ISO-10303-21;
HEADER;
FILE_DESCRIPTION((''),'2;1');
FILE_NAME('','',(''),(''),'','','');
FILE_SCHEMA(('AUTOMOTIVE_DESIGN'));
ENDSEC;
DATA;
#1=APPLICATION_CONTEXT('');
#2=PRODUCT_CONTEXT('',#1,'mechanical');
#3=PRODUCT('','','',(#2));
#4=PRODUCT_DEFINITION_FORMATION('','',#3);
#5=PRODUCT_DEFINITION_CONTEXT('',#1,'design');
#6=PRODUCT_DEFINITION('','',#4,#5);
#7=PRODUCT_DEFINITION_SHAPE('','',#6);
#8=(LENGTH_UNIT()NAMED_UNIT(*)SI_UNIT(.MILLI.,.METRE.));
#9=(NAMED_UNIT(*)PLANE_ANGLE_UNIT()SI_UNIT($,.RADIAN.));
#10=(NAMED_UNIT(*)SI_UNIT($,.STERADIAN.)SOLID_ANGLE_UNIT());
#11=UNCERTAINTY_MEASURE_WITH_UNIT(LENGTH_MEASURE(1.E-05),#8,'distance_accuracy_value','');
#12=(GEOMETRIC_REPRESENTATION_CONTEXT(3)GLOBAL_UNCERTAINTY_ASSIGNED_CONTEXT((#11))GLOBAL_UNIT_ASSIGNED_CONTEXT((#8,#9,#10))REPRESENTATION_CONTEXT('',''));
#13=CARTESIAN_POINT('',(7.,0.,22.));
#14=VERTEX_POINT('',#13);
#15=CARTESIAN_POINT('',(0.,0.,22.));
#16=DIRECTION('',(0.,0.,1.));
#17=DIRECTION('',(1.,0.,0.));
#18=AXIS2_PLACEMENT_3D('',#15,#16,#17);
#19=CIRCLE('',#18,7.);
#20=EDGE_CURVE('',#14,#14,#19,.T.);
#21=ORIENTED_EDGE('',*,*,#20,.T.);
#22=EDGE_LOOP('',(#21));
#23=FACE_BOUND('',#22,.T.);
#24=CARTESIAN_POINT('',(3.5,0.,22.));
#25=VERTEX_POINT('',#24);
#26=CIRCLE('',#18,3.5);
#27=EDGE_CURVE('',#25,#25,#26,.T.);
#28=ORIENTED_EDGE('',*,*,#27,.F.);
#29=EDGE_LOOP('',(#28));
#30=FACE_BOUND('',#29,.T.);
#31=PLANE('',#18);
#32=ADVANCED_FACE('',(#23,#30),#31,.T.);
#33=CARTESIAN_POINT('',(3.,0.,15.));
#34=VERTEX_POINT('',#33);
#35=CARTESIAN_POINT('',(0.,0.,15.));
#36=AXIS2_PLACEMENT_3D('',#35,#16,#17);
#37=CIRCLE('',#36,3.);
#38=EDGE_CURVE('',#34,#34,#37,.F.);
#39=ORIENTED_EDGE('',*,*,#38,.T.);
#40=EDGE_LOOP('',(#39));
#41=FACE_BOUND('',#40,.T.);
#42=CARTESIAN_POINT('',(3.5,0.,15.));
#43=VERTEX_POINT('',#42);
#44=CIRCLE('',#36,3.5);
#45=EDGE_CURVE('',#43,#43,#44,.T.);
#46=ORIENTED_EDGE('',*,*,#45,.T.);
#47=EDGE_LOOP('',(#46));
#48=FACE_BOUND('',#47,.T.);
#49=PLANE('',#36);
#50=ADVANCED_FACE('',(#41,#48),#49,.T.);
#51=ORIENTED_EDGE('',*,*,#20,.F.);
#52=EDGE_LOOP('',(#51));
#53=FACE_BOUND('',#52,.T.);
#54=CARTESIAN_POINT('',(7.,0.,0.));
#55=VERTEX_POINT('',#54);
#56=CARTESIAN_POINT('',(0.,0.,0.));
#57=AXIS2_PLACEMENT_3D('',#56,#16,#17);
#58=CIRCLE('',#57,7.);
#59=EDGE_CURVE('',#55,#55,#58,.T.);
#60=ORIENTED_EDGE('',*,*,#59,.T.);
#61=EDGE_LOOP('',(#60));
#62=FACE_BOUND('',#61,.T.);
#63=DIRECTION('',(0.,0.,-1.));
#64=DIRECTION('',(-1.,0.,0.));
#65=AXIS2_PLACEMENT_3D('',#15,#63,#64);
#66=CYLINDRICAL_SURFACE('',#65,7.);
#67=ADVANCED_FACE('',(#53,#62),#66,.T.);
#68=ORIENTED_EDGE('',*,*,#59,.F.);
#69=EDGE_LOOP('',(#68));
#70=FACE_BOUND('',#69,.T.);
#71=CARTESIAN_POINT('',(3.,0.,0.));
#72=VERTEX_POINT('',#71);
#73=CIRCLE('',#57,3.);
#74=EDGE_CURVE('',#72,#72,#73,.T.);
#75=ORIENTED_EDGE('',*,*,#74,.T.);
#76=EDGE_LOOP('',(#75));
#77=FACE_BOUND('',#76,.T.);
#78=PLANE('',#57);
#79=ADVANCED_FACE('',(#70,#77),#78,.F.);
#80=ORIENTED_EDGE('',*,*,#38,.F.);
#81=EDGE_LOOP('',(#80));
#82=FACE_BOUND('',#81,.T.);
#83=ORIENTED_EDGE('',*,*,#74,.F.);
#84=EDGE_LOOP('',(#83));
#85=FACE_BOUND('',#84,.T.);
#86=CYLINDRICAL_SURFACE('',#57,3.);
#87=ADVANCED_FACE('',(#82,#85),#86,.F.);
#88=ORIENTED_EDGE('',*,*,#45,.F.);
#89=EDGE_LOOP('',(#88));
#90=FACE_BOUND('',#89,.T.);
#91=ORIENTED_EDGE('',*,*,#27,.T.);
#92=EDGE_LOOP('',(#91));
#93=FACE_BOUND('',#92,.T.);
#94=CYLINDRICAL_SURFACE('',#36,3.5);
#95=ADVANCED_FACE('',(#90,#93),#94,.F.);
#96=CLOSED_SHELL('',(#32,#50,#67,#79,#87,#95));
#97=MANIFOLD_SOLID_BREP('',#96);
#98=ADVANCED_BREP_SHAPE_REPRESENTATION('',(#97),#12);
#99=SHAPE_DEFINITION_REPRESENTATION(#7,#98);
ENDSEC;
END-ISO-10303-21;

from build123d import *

# Parameters (mm, degrees)
SKETCH_1_R          = 7
EXTRUDE_1_DEPTH     = 22
SKETCH_2_R          = 3
CUT_EXTRUDE_1_DEPTH = 23
SKETCH_3_R          = 3.5
CUT_EXTRUDE_2_DEPTH = 7


with BuildPart() as part:
    # 草图1 → 凸台-拉伸1 (new body)
    with BuildSketch(Plane.XY):
        Circle(SKETCH_1_R)
    extrude(amount=EXTRUDE_1_DEPTH)

    # 草图2 → 切除-拉伸1 (cut, through all)
    with BuildSketch(Plane.XY.offset(22)):
        Circle(SKETCH_2_R)
    extrude(amount=-CUT_EXTRUDE_1_DEPTH, mode=Mode.SUBTRACT)

    # 草图3 → 切除-拉伸2 (cut)
    with BuildSketch(Plane.XY.offset(22)):
        Circle(SKETCH_3_R)
    extrude(amount=-CUT_EXTRUDE_2_DEPTH, mode=Mode.SUBTRACT)


solid = part.part
